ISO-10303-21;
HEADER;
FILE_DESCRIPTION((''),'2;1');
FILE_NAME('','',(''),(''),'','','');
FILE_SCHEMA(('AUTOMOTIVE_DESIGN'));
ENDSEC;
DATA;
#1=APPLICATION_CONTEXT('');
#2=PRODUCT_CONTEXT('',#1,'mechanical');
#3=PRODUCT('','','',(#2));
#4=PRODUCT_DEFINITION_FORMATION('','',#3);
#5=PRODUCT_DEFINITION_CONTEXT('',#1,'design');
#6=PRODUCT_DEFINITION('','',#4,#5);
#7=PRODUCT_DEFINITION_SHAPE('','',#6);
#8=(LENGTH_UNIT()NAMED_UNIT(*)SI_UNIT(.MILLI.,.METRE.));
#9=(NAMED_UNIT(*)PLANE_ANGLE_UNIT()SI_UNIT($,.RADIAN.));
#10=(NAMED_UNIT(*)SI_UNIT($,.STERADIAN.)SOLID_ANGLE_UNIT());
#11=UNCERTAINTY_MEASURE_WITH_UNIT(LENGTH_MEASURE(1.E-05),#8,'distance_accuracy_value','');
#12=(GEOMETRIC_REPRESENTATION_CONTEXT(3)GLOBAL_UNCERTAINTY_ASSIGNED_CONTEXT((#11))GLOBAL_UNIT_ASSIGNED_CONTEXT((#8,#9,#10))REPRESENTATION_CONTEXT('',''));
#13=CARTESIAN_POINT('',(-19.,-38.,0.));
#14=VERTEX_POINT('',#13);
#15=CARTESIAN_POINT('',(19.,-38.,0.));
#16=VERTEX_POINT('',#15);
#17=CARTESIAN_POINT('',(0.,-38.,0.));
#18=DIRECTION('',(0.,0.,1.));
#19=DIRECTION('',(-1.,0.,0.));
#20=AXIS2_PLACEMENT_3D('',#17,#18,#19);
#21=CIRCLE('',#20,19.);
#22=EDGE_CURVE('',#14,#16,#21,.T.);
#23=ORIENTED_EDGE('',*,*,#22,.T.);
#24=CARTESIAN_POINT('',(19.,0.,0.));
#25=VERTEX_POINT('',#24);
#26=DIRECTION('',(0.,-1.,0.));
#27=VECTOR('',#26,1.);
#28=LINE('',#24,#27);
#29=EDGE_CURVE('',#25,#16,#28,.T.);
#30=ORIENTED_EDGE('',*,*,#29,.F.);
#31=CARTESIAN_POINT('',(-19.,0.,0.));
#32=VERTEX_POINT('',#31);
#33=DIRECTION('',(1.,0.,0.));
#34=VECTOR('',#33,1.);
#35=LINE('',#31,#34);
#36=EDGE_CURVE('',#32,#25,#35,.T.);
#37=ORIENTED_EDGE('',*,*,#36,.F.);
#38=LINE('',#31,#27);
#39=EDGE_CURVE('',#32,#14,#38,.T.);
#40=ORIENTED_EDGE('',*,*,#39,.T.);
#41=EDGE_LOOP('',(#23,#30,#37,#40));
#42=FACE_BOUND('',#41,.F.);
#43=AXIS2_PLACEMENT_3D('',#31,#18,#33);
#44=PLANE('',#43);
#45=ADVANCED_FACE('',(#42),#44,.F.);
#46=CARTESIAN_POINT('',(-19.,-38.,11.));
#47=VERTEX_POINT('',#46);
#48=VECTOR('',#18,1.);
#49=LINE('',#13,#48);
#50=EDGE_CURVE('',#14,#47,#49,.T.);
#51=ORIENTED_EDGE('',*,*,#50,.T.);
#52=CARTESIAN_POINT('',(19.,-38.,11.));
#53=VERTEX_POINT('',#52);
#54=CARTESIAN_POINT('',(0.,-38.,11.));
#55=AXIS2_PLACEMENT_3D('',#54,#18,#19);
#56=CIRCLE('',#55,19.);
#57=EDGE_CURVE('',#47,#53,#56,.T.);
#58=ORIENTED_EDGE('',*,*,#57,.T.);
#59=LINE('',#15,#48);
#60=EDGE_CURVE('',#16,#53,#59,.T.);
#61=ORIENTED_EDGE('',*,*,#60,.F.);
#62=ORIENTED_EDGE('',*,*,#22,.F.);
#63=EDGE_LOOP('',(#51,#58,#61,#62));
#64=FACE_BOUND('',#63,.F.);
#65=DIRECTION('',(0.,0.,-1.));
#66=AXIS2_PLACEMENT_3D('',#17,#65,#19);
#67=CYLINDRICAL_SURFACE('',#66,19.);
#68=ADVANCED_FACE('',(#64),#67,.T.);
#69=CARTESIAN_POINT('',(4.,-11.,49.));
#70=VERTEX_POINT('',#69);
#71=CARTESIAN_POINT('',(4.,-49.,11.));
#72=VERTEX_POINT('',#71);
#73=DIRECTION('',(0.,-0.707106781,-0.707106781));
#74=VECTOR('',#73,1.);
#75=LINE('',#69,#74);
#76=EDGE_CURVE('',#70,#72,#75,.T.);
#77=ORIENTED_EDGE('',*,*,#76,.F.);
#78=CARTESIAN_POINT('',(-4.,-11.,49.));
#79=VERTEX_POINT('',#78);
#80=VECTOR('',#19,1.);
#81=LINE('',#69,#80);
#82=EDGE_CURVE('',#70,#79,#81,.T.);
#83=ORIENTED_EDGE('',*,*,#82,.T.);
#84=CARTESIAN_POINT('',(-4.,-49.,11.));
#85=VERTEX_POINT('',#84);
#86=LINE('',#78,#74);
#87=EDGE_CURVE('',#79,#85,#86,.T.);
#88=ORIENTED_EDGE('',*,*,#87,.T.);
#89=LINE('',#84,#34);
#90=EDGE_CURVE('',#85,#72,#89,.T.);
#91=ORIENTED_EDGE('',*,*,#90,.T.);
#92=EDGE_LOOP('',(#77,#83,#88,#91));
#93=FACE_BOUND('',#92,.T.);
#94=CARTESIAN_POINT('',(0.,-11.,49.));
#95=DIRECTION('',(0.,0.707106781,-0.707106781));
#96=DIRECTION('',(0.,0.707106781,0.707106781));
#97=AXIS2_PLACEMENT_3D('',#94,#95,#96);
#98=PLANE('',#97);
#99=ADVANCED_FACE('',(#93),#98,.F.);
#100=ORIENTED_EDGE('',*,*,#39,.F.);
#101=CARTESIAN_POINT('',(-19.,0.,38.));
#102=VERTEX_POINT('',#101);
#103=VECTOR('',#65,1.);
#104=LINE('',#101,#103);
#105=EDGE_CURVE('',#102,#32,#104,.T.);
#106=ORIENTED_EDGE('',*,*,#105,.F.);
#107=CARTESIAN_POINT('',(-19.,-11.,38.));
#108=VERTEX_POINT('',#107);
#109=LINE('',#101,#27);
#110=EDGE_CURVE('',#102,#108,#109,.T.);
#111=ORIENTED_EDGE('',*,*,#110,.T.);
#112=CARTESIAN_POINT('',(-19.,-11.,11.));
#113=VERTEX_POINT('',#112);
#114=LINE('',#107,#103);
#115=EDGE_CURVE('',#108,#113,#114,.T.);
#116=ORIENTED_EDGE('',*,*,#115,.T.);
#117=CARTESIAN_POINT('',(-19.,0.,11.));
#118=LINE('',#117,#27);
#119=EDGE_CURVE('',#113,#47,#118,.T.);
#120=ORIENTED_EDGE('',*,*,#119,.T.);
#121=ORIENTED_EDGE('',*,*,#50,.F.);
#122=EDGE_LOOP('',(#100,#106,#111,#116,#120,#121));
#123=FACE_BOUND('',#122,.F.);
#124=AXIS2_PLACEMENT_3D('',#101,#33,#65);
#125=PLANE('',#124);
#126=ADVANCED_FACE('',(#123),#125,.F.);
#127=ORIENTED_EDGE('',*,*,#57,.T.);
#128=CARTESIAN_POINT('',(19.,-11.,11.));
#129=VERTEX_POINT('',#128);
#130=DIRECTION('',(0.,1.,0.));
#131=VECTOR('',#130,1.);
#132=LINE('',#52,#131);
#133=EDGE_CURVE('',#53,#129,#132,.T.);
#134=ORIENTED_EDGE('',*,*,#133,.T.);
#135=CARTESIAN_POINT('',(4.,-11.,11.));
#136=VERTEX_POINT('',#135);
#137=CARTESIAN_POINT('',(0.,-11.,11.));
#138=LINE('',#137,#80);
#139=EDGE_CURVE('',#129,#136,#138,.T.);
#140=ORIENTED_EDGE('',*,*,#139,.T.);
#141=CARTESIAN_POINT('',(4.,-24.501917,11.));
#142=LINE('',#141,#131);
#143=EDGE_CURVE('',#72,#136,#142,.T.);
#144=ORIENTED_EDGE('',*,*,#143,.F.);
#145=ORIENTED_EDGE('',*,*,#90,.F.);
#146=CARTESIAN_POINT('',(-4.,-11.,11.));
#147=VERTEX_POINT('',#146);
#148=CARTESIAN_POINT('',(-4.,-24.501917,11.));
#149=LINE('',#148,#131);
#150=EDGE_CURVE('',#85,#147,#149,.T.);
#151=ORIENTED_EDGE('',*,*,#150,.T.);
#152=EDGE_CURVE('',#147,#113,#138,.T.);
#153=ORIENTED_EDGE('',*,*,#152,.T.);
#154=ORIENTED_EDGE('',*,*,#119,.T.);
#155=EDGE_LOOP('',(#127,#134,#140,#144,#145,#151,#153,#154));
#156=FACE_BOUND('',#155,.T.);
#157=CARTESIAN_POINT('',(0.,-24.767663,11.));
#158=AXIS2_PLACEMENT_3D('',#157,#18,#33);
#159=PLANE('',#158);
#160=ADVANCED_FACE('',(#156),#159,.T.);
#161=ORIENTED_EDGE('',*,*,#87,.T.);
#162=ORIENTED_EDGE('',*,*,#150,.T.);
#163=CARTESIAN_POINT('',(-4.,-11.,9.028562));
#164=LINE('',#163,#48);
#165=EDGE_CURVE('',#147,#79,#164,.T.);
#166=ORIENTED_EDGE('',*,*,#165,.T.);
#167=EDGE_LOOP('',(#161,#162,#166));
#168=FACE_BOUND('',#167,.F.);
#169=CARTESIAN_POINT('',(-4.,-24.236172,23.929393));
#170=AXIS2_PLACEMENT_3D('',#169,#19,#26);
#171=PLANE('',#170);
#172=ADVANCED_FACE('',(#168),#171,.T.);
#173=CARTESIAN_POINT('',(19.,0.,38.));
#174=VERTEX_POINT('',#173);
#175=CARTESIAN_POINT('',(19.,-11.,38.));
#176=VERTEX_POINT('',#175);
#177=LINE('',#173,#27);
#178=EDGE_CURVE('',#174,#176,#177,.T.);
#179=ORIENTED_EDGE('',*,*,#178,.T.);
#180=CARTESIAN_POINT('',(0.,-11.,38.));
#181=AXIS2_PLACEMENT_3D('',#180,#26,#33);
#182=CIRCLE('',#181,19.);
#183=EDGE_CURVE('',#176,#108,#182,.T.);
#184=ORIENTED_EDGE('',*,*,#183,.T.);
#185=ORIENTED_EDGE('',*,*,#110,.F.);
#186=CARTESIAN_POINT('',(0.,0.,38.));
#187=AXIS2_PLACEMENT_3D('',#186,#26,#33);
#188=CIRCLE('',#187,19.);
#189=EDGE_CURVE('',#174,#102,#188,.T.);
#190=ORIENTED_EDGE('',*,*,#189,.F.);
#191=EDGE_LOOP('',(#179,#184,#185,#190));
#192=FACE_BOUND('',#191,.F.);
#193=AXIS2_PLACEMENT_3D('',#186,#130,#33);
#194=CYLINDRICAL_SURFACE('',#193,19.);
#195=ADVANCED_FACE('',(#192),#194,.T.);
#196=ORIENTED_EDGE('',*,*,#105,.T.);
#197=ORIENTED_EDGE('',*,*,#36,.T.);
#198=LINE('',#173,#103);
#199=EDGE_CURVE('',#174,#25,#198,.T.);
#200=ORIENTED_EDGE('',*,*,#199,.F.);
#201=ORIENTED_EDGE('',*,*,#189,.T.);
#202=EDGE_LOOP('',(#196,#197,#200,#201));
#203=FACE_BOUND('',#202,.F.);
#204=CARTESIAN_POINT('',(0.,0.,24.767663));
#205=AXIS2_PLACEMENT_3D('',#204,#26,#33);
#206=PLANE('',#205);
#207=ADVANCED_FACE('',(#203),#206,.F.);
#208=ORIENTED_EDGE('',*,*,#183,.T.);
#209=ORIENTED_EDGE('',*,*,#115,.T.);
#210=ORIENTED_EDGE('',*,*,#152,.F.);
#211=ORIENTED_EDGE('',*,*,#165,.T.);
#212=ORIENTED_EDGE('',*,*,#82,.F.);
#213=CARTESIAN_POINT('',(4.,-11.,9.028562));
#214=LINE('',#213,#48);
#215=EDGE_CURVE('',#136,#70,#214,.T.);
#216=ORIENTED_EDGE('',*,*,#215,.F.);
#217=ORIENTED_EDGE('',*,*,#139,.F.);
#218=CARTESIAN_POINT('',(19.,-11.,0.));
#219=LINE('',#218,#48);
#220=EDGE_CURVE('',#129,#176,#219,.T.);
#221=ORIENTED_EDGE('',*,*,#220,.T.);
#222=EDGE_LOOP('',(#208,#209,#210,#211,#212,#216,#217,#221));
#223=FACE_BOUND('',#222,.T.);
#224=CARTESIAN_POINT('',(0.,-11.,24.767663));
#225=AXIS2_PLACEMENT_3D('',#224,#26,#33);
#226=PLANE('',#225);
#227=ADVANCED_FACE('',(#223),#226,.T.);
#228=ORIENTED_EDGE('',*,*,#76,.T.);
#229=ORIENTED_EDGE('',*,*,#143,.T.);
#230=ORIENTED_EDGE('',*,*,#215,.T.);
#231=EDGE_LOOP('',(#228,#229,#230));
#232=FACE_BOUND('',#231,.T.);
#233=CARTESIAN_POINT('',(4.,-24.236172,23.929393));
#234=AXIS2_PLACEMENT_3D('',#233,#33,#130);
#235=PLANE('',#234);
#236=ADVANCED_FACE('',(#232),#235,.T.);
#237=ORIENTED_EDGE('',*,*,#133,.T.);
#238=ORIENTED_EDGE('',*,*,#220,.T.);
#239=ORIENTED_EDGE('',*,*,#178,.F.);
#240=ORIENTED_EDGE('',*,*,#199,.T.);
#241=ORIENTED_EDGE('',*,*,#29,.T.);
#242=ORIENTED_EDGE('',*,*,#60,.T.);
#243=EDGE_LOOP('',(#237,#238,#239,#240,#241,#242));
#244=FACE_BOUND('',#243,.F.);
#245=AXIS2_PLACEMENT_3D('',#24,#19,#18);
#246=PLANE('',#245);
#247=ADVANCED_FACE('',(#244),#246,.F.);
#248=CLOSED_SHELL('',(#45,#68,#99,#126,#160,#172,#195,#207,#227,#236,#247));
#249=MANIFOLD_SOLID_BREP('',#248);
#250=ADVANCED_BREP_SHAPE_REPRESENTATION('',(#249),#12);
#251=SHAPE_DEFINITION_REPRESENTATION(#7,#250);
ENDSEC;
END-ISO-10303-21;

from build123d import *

# Parameters (mm, degrees)
F1_DEPTH = 11
F3_DEPTH = 11
F5_DEPTH = 4


with BuildPart() as f1:
    # F0 (on Front) → F1 (new body)
    with BuildSketch(Plane.XZ):
        with BuildLine():
            Line((-19, 38), (-19, 0))
            Line((-19, 0), (19, 0))
            Line((19, 0), (19, 38))
            ThreePointArc((19, 38), (0, 57), (-19, 38))
        make_face()
    extrude(amount=F1_DEPTH)

    # F2 (on Top) → F3 (join)
    with BuildSketch(Plane.XY):
        with BuildLine():
            Line((19, 0), (-19, 0))
            Line((-19, 0), (-19, -38))
            ThreePointArc((-19, -38), (0, -57), (19, -38))
            Line((19, -38), (19, 0))
        make_face()
    extrude(amount=F3_DEPTH)

    # F4 (on Right) → F5 (join)
    with BuildSketch(Plane.YZ):
        Polygon((-11, 49), (-49, 11), (-11, 9.028562), align=None)
    extrude(amount=F5_DEPTH)

    # F6: F1 across plane


with BuildPart() as f1_1:
    add(f1.part)
    add(f1.part.mirror(Plane.YZ))


solid = f1_1.part
